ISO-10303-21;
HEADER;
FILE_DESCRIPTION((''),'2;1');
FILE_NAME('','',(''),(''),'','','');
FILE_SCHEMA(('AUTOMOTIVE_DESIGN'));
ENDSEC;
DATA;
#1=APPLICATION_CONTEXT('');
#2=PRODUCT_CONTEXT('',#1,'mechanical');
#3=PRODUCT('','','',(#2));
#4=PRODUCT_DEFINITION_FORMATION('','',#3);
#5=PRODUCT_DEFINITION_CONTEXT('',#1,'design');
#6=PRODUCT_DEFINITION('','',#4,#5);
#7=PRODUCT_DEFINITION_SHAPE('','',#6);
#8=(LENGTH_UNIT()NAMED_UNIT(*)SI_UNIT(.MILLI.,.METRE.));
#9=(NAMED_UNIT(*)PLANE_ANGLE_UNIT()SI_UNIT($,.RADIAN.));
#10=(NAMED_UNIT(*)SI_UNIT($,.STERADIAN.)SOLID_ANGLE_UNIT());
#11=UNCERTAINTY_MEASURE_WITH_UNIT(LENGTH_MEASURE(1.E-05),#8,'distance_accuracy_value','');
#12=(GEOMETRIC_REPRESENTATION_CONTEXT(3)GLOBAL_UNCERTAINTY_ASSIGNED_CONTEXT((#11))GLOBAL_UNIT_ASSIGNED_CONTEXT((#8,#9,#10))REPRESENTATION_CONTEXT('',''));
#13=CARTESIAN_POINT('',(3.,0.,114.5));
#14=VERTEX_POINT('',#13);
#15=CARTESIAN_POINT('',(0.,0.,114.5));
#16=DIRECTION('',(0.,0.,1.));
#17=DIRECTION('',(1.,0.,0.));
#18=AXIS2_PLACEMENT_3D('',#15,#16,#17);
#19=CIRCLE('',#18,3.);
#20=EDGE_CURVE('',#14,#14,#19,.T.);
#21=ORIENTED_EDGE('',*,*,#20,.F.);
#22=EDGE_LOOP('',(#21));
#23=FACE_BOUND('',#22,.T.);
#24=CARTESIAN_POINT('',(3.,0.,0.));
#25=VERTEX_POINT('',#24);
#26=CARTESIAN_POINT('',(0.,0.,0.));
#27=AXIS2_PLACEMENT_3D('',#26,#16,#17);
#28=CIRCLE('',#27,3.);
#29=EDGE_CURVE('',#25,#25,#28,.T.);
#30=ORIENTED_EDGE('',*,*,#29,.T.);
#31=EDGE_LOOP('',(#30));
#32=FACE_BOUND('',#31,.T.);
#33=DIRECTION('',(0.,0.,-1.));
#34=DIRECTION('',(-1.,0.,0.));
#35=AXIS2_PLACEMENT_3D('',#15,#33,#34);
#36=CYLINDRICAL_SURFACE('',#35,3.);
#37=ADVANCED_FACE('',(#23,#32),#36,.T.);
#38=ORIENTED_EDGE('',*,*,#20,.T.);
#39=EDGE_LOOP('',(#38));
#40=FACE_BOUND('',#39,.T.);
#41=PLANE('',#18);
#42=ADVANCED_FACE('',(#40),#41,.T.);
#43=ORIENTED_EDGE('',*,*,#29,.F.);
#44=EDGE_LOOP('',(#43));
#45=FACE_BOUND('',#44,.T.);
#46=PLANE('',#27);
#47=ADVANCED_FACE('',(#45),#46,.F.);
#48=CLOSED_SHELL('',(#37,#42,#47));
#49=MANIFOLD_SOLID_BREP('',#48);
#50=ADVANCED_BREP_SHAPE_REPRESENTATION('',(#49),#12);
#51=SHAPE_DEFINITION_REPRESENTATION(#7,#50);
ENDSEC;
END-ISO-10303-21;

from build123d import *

# Parameters (mm, degrees)
SKETCH1_R           = 3
BOSS_EXTRUDE1_DEPTH = 114.5


with BuildPart() as part:
    # Sketch1 → Boss-Extrude1 (new body)
    with BuildSketch(Plane.XY):
        Circle(SKETCH1_R)
    extrude(amount=BOSS_EXTRUDE1_DEPTH)


solid = part.part
